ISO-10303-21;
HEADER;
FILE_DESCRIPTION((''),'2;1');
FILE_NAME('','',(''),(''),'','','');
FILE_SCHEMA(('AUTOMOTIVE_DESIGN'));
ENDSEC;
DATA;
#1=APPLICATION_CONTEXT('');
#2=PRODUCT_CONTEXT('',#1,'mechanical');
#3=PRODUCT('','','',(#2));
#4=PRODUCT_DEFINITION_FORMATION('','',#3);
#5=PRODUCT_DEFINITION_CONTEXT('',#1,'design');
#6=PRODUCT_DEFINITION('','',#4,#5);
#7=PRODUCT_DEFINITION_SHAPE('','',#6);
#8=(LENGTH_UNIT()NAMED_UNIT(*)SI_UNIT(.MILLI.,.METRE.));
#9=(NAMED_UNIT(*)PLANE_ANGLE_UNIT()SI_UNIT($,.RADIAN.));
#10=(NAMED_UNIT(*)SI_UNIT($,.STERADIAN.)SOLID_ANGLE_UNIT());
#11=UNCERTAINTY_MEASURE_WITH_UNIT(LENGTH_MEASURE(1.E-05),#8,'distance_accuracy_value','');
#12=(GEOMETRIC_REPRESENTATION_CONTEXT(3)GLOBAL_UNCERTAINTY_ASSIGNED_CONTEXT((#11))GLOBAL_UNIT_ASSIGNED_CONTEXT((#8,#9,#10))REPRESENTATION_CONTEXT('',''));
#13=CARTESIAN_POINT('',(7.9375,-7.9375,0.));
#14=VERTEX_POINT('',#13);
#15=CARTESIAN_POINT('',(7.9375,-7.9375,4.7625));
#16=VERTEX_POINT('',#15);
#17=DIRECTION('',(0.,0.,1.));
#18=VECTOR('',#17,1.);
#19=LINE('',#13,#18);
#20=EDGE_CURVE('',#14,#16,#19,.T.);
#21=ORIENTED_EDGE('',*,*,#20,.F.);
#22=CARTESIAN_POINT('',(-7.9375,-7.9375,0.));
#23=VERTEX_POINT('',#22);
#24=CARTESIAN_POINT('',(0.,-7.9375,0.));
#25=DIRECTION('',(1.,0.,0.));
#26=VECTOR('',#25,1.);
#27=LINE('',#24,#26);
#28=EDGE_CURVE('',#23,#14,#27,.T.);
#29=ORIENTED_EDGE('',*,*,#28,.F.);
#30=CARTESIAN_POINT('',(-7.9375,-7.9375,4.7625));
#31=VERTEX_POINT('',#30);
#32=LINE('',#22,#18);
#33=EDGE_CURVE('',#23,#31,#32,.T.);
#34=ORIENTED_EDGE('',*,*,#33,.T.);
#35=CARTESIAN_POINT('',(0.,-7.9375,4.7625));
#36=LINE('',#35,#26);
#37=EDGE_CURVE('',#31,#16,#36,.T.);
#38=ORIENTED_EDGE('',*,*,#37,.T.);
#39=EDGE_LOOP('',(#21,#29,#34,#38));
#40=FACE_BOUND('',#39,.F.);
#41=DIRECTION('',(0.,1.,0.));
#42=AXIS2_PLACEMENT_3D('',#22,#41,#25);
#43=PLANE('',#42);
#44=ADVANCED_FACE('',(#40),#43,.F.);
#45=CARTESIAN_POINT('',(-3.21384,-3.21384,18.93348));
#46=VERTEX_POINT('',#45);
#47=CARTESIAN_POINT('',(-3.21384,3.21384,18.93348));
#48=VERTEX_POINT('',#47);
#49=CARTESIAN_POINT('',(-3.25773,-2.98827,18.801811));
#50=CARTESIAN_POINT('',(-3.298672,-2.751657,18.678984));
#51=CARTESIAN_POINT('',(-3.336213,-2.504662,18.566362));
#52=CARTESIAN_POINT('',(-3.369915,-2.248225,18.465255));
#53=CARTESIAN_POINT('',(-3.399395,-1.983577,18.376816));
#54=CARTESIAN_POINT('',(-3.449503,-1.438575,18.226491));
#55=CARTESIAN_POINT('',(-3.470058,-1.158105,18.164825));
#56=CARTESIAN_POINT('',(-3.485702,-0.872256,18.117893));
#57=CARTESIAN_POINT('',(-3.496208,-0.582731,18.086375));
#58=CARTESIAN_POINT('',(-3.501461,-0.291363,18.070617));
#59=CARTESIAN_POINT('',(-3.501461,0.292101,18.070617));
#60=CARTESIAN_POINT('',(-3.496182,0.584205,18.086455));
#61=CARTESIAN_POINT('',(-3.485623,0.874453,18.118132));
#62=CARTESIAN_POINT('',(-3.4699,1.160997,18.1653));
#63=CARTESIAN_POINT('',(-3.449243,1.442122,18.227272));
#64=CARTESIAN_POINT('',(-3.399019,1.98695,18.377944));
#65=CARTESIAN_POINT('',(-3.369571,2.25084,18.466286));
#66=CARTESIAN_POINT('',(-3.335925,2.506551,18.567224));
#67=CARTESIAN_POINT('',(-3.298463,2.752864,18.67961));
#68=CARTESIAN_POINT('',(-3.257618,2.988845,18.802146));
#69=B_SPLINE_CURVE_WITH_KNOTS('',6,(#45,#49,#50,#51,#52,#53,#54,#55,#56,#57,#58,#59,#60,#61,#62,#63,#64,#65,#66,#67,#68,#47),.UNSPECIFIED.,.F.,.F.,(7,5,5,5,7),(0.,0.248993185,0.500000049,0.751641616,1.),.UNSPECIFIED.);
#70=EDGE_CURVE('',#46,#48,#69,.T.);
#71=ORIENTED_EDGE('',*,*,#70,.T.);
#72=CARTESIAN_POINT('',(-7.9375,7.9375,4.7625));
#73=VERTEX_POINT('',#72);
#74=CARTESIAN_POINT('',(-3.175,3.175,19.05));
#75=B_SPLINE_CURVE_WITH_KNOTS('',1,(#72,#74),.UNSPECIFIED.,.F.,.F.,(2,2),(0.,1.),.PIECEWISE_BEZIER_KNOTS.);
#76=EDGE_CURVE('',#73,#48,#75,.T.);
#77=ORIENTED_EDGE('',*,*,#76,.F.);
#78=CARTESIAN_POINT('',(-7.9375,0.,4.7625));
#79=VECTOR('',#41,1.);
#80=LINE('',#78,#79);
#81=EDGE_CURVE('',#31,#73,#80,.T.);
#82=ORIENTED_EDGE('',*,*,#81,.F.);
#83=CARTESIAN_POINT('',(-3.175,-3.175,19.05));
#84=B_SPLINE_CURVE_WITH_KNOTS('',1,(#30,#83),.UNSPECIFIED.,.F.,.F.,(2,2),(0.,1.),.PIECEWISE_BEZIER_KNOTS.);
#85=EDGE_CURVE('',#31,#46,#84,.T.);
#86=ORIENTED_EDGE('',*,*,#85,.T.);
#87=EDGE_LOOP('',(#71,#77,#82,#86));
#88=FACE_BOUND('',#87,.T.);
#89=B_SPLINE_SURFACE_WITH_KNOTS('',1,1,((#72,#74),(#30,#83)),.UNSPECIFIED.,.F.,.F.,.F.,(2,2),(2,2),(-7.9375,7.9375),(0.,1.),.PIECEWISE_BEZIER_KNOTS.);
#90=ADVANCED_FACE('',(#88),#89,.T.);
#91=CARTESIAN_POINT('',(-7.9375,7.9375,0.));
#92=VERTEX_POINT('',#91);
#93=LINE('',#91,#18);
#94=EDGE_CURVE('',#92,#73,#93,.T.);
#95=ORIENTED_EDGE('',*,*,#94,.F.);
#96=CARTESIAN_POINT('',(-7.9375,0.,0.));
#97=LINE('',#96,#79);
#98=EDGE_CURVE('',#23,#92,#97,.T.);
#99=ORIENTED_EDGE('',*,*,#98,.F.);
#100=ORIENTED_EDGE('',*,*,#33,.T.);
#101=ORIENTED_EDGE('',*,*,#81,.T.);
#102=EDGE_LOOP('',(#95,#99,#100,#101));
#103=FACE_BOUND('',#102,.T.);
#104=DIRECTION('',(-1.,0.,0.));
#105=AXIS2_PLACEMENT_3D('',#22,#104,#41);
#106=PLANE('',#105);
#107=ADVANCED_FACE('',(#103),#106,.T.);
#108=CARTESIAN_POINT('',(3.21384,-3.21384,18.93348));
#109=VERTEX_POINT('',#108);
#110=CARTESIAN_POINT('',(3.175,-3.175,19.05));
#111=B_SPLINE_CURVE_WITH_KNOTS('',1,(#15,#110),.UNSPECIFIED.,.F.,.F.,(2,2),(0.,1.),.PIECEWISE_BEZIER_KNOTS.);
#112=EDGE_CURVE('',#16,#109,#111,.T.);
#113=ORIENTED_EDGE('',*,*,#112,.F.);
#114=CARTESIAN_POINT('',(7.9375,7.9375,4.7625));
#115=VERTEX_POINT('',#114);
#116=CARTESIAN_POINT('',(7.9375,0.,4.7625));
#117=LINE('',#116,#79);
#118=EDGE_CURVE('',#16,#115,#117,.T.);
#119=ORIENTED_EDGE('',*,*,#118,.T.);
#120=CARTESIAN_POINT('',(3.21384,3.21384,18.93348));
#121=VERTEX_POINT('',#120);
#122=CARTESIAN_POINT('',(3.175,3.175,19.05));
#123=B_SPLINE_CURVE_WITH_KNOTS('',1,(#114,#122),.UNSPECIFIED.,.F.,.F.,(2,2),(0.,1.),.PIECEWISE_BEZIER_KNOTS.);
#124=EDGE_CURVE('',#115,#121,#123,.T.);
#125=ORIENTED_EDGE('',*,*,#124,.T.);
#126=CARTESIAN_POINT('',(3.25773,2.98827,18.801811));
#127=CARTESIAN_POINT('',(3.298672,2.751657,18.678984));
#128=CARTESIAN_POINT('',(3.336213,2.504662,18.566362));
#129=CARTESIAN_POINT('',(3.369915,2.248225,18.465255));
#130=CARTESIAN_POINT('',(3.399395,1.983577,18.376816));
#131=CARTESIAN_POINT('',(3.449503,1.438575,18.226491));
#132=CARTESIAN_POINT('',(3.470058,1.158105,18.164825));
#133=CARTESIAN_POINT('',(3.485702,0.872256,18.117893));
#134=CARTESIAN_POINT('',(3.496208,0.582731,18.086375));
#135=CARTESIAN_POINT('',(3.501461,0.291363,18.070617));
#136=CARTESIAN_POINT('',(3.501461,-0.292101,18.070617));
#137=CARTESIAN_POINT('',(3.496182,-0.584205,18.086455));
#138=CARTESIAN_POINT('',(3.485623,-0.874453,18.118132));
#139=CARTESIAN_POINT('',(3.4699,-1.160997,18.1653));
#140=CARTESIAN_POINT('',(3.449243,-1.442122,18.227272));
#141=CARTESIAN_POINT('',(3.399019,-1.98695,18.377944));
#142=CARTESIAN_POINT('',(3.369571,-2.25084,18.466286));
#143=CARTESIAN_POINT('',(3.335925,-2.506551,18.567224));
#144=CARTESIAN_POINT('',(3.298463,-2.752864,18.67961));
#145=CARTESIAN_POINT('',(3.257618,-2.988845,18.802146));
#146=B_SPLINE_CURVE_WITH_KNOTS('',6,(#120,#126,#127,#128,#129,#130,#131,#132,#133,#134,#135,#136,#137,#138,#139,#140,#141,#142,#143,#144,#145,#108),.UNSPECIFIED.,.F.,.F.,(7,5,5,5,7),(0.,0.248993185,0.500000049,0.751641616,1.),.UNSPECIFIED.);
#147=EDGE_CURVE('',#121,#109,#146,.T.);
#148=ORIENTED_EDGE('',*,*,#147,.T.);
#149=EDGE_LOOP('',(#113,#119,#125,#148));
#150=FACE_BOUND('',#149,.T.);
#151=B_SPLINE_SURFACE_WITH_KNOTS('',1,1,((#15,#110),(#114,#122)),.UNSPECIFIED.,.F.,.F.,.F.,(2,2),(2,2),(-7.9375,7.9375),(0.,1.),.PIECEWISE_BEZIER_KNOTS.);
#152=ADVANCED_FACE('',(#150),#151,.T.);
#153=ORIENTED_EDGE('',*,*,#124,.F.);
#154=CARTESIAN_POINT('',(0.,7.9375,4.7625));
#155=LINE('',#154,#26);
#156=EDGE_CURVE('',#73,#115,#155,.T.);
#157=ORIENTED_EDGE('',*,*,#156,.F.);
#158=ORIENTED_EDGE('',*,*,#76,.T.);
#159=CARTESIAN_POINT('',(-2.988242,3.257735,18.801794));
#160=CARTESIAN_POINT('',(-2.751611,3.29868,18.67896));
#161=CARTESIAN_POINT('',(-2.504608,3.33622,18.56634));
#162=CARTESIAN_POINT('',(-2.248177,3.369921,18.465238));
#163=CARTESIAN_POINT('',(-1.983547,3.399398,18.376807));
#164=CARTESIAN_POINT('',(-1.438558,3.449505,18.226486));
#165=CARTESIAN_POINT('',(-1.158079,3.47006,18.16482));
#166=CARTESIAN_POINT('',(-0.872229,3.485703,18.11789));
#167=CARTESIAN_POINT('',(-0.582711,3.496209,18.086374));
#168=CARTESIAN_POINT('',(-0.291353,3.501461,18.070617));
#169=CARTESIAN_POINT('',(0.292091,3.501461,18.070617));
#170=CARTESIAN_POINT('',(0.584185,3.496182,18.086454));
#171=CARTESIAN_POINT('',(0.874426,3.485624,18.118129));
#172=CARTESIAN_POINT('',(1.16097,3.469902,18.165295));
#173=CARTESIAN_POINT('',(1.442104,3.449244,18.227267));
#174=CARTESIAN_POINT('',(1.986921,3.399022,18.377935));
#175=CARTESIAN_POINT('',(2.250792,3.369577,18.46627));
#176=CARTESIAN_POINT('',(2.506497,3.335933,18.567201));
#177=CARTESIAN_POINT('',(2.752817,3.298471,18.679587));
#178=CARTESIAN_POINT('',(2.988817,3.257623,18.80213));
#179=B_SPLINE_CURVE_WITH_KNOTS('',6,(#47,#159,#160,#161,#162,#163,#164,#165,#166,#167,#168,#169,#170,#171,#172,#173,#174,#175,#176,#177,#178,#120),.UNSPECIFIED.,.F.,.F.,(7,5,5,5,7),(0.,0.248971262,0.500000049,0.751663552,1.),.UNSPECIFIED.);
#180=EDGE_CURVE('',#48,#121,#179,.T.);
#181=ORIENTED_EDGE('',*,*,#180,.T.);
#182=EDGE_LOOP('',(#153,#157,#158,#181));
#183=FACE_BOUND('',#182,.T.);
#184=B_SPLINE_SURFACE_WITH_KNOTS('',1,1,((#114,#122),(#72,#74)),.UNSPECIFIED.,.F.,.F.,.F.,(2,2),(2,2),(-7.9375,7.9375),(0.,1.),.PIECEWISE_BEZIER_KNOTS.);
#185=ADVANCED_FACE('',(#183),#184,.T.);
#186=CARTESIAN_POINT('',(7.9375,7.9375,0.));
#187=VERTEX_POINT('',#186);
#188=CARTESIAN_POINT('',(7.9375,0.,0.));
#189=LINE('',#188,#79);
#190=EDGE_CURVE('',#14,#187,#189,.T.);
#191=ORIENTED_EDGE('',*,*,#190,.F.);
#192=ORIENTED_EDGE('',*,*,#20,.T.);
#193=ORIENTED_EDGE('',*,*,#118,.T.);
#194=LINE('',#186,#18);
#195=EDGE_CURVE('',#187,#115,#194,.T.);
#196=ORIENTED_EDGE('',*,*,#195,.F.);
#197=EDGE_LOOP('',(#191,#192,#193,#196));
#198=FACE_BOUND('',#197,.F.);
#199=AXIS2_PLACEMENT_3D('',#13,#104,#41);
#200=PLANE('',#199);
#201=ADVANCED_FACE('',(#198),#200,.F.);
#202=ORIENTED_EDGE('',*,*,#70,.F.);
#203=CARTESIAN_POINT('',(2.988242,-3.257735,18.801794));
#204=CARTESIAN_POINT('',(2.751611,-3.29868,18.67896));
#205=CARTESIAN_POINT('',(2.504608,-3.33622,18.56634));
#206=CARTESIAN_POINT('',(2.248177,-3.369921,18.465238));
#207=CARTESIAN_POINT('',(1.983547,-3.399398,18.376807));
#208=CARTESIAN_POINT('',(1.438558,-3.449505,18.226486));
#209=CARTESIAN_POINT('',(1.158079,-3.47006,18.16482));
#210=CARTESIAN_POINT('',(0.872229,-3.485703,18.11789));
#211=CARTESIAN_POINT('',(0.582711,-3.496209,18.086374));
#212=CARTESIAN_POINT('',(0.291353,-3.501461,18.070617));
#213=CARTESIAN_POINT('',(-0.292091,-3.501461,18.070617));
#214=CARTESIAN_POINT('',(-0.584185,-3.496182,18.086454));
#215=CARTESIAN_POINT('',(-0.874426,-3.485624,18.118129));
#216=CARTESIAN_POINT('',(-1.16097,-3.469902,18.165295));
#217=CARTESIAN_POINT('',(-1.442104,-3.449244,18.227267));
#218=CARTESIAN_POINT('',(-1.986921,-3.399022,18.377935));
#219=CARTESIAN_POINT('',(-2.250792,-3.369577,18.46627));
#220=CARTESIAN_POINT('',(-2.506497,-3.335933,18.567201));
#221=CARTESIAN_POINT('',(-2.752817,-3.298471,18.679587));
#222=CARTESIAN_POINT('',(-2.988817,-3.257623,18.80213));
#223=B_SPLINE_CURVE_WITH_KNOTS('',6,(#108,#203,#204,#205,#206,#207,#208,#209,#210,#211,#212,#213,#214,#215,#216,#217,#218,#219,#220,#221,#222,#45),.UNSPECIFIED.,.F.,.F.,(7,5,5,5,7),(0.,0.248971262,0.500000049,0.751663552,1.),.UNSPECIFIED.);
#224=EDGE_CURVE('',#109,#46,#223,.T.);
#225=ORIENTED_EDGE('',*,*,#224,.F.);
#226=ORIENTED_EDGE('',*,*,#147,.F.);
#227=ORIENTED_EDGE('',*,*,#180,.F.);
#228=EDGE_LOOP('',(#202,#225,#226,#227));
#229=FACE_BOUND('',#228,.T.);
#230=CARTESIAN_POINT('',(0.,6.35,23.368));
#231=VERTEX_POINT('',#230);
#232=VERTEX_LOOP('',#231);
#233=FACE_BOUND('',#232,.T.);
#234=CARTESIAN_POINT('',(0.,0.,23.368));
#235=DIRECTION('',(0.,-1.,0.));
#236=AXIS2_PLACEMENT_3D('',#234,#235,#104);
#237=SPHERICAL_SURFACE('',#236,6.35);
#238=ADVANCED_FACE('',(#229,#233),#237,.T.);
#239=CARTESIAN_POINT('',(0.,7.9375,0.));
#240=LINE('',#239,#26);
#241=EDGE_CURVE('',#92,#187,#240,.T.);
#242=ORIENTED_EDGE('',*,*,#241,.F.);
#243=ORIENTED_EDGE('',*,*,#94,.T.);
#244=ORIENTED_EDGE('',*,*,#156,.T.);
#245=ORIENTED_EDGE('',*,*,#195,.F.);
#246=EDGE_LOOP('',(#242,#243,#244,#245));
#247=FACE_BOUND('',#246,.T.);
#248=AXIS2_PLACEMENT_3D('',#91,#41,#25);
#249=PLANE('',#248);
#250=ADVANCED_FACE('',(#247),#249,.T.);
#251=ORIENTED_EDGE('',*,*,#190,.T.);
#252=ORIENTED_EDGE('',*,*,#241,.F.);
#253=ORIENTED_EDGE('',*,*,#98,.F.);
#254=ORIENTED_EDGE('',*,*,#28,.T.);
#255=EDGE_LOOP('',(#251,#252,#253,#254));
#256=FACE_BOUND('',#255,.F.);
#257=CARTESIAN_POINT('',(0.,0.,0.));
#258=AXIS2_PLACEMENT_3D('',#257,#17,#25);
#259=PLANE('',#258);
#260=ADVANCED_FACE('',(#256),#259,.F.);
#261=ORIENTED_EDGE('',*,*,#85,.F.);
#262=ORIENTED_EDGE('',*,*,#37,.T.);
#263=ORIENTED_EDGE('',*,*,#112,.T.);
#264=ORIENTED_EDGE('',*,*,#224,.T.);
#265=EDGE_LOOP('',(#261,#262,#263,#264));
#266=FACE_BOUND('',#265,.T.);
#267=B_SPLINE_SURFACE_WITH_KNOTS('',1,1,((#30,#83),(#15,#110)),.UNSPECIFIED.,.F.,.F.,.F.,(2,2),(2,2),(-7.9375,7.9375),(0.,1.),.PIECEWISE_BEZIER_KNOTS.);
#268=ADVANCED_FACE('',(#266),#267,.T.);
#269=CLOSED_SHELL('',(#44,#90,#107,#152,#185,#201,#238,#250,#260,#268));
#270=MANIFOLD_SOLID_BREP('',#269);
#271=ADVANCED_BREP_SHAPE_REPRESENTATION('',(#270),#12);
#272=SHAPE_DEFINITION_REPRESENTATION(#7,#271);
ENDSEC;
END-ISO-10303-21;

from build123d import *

# Parameters (mm, degrees)
F0_W      = 15.875
F0_H      = 15.875
F1_DEPTH  = 4.7625
F1_FACE_W = 15.875
F1_FACE_H = 15.875
F3_W      = 6.35
F3_H      = 6.35


with BuildPart() as f1:
    # F0 (on Top) → F1 (new body)
    with BuildSketch(Plane.XY):
        Rectangle(F0_W, F0_H)
    extrude(amount=F1_DEPTH)

    # F1_face (on face) → F4 section 0
    with BuildSketch(Plane.XY.offset(4.7625)):
        Rectangle(F1_FACE_W, F1_FACE_H)
    # F3 (on offset) → F4 section 1
    with BuildSketch(Plane.XY.offset(19.05)):
        Rectangle(F3_W, F3_H)
    loft()

    # F6 (on offset) → F7 (revolve)
    with BuildSketch(Plane.XY.offset(23.368)):
        with BuildLine():
            Line((0, -6.35), (0, 6.35))
            ThreePointArc((0, 6.35), (-6.35, 0), (0, -6.35))
        make_face()
    revolve(axis=Axis((0, 0, 23.368), (0, -1, 0)))


solid = f1.part
